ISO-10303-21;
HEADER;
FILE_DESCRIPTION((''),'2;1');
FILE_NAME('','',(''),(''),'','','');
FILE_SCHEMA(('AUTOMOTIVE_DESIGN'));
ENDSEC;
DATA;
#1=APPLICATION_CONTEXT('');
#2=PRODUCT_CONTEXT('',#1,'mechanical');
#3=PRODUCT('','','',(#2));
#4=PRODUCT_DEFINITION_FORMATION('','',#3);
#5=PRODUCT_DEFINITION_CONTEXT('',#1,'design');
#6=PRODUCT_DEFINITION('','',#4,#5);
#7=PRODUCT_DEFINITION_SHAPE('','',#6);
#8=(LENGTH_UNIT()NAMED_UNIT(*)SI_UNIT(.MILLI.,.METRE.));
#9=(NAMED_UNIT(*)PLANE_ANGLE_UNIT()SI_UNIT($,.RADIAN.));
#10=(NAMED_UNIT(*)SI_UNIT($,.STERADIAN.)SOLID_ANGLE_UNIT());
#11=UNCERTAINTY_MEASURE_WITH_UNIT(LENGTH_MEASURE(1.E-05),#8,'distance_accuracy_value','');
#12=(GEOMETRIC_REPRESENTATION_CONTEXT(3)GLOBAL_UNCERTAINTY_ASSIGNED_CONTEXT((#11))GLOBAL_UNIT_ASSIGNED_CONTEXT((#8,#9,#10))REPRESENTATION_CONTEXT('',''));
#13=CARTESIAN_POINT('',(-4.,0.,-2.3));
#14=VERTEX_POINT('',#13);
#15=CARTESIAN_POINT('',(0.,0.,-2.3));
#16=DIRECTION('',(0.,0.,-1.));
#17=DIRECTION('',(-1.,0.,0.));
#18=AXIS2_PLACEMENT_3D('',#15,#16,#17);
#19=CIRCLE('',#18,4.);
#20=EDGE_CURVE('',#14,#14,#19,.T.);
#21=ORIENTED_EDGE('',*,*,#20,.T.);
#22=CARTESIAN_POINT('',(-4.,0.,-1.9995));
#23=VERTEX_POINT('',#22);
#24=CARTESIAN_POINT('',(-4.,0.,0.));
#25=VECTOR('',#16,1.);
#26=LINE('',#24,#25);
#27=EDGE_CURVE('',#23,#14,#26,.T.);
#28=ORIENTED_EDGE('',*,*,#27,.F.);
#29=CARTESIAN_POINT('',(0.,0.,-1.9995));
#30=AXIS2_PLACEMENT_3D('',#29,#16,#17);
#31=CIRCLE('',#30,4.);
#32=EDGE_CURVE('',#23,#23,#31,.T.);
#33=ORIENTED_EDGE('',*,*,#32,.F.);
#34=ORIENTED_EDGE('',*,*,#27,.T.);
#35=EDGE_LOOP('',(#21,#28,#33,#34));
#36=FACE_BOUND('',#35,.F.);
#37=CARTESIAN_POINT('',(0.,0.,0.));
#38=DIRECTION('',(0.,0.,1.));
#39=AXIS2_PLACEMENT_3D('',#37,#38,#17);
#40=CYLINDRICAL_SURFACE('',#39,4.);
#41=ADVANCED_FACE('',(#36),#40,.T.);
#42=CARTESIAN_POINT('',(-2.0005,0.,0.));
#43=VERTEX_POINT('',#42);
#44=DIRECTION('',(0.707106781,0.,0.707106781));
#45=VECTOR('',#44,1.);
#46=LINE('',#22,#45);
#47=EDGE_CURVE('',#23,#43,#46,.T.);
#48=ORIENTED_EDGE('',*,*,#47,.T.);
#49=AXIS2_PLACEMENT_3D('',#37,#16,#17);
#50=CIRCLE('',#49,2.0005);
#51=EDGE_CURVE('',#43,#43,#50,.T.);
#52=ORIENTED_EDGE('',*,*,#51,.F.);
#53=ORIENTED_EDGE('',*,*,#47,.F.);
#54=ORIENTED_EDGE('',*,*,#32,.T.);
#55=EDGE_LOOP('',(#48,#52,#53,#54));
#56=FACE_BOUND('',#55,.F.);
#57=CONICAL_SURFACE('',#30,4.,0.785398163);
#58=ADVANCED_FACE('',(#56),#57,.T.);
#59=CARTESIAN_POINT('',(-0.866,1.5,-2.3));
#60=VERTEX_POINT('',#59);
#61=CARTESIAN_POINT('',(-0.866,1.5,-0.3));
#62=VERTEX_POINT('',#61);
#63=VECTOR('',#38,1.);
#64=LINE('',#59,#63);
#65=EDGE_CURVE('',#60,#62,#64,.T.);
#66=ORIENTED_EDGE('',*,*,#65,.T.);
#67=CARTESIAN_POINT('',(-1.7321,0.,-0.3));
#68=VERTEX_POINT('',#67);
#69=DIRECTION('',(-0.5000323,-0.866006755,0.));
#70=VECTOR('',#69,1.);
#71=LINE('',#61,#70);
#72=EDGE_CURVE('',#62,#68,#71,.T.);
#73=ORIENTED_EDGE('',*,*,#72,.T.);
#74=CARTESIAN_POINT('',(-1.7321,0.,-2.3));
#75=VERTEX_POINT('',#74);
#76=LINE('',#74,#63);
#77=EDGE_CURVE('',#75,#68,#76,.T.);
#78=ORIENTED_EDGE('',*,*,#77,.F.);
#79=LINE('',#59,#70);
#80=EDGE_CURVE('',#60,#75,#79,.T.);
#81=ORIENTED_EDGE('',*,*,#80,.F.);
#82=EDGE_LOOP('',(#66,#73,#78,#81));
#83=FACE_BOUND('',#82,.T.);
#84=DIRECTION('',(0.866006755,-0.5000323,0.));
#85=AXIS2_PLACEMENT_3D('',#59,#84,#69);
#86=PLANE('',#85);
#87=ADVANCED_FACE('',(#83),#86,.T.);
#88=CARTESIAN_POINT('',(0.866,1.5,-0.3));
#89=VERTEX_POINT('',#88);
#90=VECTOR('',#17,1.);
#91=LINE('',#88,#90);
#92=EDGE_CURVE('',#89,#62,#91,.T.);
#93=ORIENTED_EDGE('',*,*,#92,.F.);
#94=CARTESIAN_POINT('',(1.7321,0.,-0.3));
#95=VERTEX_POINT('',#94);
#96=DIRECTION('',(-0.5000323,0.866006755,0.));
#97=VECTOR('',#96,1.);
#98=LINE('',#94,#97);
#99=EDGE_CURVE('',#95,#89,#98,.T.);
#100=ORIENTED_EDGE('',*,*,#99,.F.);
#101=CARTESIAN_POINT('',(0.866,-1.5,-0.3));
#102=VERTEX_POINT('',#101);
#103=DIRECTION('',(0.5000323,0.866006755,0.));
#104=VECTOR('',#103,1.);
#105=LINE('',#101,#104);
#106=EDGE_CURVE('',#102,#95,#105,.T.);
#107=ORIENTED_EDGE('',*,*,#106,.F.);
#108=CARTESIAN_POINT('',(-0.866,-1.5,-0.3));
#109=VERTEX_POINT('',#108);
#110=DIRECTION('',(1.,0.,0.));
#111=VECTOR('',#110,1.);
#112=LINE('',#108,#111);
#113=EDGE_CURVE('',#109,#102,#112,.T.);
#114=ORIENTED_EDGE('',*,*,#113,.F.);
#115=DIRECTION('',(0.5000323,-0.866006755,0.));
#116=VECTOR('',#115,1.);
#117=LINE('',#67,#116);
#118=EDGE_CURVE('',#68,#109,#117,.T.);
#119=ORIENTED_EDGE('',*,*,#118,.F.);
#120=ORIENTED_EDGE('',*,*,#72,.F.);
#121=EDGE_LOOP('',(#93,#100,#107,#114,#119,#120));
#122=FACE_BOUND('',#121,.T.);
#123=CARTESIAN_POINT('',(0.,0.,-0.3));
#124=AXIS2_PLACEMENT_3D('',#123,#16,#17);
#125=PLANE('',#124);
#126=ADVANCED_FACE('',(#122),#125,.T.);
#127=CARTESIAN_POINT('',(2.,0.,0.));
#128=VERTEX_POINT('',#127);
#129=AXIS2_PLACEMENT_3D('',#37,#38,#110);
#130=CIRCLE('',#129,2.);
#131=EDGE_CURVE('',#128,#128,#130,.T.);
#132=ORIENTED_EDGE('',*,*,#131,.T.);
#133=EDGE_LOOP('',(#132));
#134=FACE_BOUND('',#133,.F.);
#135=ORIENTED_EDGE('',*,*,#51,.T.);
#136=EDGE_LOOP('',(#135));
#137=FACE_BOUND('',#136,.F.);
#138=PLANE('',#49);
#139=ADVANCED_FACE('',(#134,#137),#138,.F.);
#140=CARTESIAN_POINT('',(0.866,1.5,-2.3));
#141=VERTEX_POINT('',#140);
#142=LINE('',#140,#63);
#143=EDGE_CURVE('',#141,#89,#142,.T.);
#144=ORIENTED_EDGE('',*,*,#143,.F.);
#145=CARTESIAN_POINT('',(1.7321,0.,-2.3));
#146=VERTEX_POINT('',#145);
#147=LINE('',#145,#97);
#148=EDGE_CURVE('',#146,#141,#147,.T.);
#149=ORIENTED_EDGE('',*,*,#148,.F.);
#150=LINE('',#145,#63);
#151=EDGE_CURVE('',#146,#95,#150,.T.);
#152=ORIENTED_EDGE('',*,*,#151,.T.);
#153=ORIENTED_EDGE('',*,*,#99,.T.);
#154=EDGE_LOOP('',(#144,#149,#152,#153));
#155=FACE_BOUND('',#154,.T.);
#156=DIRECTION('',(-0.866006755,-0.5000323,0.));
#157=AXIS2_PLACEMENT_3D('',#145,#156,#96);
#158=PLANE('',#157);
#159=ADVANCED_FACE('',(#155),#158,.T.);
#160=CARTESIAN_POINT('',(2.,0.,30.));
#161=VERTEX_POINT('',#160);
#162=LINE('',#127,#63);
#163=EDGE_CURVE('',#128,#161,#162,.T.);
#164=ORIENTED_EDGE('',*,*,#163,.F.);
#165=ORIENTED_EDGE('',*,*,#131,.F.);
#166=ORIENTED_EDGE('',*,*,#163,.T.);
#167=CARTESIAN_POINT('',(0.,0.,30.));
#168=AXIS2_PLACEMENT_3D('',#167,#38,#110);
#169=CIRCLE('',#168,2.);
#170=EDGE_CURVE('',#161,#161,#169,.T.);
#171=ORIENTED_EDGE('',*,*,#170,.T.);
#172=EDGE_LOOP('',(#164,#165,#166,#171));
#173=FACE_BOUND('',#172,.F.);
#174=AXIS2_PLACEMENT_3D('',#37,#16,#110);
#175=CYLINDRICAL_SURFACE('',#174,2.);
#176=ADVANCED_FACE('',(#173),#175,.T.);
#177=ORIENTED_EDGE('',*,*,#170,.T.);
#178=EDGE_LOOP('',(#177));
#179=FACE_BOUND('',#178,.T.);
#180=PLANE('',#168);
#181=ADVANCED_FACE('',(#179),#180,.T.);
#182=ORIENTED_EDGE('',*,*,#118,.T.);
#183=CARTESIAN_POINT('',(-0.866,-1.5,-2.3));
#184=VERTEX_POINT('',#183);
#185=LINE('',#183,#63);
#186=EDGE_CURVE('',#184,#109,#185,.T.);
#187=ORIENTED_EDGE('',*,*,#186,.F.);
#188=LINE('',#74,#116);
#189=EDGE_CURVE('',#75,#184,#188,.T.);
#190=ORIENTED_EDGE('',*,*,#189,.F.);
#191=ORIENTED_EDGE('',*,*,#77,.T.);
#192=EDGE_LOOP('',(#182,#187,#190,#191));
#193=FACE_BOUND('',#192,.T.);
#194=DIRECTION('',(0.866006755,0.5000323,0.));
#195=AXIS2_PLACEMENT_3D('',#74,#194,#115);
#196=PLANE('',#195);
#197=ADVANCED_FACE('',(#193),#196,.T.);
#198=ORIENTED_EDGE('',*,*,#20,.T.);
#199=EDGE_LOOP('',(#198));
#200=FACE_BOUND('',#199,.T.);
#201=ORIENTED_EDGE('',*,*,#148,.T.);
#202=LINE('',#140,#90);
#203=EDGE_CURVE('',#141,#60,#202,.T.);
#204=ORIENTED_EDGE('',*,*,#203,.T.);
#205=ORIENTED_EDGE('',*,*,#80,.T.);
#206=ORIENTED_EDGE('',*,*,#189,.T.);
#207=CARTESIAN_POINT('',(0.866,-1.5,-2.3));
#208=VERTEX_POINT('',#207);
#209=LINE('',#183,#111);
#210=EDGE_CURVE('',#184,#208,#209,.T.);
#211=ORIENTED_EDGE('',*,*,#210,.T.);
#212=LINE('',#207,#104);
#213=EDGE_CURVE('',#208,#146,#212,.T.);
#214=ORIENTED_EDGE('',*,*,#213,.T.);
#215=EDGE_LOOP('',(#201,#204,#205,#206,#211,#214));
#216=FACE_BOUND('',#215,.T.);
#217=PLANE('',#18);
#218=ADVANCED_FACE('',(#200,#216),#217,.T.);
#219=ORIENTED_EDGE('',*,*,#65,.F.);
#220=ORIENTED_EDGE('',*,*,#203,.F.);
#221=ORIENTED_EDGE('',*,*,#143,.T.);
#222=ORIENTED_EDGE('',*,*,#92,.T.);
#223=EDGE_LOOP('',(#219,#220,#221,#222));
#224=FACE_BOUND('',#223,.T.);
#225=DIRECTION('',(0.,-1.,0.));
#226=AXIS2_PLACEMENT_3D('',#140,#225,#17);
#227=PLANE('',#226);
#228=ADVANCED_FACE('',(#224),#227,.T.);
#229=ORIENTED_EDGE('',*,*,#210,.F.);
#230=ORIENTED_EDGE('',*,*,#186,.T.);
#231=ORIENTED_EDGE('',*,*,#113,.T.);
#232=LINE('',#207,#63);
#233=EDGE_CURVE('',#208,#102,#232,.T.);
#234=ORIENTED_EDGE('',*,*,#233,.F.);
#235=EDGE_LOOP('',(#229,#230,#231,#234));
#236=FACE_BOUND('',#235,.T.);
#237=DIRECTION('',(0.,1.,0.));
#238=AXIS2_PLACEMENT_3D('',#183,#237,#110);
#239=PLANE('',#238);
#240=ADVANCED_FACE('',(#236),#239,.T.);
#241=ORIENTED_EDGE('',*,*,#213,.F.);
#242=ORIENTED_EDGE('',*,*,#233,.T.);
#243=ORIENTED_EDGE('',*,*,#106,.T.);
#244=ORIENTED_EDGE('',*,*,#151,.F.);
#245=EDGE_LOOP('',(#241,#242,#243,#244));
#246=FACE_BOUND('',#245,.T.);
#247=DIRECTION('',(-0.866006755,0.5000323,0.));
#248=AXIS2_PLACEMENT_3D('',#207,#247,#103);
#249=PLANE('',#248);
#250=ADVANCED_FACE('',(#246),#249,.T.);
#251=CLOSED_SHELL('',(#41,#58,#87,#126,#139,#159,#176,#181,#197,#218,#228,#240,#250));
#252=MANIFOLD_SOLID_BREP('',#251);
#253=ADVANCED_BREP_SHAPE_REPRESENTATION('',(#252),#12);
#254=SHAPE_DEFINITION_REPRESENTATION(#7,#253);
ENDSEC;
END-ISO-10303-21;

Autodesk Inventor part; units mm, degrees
ref_plane "YZ Plane" through (0, 0, 0) normal (1, 0, 0) x (0, 1, 0)
ref_plane "XZ Plane" through (0, 0, 0) normal (0, 1, 0) x (-1, 0, 0)
ref_plane "XY Plane" through (0, 0, 0) normal (0, 0, 1) x (1, 0, 0)
sketch "スケッチ1" plane through (0, 0, 0) normal (0, 0, 1) x (1, 0, 0)
  circle A0 centre (0, 0) radius 2
  dimension "d0" = 4
extrude "押し出し1" add sketch "スケッチ1" along normal blind 30
sketch "スケッチ2" plane through (0, 0, 0) normal (0, 0, -1) x (-1, 0, 0)
  circle A0 centre (0, 0) radius 4
  dimension "d3" = 8
extrude "押し出し2" add sketch "スケッチ2" along normal blind 2.3
chamfer "面取り1" distance 2 angle 45 1 edges at (4, 0, 0)
thread "ねじ1" size "M4x0.7" class "6g" standard "ANSI Metric M Profile" full length
sketch "スケッチ3" plane through (0, 0, -2.3) normal (0, 0, -1) x (-1, 0, 0)
  line L0 (1.7321, 0) -> (0.866, -1.5)
  line L1 (0.866, -1.5) -> (-0.866, -1.5)
  line L2 (-0.866, -1.5) -> (-1.7321, 0)
  line L3 (-1.7321, 0) -> (-0.866, 1.5)
  line L4 (-0.866, 1.5) -> (0.866, 1.5)
  line L5 (0.866, 1.5) -> (1.7321, 0)
  point P0 (0, 0)
  point P1 (0, 0)
  dimension "d11" = 3
extrude "押し出し3" cut sketch "スケッチ3" against normal blind 2
properties part number "M4皿ネジ　30" material "鉄 灰色"
